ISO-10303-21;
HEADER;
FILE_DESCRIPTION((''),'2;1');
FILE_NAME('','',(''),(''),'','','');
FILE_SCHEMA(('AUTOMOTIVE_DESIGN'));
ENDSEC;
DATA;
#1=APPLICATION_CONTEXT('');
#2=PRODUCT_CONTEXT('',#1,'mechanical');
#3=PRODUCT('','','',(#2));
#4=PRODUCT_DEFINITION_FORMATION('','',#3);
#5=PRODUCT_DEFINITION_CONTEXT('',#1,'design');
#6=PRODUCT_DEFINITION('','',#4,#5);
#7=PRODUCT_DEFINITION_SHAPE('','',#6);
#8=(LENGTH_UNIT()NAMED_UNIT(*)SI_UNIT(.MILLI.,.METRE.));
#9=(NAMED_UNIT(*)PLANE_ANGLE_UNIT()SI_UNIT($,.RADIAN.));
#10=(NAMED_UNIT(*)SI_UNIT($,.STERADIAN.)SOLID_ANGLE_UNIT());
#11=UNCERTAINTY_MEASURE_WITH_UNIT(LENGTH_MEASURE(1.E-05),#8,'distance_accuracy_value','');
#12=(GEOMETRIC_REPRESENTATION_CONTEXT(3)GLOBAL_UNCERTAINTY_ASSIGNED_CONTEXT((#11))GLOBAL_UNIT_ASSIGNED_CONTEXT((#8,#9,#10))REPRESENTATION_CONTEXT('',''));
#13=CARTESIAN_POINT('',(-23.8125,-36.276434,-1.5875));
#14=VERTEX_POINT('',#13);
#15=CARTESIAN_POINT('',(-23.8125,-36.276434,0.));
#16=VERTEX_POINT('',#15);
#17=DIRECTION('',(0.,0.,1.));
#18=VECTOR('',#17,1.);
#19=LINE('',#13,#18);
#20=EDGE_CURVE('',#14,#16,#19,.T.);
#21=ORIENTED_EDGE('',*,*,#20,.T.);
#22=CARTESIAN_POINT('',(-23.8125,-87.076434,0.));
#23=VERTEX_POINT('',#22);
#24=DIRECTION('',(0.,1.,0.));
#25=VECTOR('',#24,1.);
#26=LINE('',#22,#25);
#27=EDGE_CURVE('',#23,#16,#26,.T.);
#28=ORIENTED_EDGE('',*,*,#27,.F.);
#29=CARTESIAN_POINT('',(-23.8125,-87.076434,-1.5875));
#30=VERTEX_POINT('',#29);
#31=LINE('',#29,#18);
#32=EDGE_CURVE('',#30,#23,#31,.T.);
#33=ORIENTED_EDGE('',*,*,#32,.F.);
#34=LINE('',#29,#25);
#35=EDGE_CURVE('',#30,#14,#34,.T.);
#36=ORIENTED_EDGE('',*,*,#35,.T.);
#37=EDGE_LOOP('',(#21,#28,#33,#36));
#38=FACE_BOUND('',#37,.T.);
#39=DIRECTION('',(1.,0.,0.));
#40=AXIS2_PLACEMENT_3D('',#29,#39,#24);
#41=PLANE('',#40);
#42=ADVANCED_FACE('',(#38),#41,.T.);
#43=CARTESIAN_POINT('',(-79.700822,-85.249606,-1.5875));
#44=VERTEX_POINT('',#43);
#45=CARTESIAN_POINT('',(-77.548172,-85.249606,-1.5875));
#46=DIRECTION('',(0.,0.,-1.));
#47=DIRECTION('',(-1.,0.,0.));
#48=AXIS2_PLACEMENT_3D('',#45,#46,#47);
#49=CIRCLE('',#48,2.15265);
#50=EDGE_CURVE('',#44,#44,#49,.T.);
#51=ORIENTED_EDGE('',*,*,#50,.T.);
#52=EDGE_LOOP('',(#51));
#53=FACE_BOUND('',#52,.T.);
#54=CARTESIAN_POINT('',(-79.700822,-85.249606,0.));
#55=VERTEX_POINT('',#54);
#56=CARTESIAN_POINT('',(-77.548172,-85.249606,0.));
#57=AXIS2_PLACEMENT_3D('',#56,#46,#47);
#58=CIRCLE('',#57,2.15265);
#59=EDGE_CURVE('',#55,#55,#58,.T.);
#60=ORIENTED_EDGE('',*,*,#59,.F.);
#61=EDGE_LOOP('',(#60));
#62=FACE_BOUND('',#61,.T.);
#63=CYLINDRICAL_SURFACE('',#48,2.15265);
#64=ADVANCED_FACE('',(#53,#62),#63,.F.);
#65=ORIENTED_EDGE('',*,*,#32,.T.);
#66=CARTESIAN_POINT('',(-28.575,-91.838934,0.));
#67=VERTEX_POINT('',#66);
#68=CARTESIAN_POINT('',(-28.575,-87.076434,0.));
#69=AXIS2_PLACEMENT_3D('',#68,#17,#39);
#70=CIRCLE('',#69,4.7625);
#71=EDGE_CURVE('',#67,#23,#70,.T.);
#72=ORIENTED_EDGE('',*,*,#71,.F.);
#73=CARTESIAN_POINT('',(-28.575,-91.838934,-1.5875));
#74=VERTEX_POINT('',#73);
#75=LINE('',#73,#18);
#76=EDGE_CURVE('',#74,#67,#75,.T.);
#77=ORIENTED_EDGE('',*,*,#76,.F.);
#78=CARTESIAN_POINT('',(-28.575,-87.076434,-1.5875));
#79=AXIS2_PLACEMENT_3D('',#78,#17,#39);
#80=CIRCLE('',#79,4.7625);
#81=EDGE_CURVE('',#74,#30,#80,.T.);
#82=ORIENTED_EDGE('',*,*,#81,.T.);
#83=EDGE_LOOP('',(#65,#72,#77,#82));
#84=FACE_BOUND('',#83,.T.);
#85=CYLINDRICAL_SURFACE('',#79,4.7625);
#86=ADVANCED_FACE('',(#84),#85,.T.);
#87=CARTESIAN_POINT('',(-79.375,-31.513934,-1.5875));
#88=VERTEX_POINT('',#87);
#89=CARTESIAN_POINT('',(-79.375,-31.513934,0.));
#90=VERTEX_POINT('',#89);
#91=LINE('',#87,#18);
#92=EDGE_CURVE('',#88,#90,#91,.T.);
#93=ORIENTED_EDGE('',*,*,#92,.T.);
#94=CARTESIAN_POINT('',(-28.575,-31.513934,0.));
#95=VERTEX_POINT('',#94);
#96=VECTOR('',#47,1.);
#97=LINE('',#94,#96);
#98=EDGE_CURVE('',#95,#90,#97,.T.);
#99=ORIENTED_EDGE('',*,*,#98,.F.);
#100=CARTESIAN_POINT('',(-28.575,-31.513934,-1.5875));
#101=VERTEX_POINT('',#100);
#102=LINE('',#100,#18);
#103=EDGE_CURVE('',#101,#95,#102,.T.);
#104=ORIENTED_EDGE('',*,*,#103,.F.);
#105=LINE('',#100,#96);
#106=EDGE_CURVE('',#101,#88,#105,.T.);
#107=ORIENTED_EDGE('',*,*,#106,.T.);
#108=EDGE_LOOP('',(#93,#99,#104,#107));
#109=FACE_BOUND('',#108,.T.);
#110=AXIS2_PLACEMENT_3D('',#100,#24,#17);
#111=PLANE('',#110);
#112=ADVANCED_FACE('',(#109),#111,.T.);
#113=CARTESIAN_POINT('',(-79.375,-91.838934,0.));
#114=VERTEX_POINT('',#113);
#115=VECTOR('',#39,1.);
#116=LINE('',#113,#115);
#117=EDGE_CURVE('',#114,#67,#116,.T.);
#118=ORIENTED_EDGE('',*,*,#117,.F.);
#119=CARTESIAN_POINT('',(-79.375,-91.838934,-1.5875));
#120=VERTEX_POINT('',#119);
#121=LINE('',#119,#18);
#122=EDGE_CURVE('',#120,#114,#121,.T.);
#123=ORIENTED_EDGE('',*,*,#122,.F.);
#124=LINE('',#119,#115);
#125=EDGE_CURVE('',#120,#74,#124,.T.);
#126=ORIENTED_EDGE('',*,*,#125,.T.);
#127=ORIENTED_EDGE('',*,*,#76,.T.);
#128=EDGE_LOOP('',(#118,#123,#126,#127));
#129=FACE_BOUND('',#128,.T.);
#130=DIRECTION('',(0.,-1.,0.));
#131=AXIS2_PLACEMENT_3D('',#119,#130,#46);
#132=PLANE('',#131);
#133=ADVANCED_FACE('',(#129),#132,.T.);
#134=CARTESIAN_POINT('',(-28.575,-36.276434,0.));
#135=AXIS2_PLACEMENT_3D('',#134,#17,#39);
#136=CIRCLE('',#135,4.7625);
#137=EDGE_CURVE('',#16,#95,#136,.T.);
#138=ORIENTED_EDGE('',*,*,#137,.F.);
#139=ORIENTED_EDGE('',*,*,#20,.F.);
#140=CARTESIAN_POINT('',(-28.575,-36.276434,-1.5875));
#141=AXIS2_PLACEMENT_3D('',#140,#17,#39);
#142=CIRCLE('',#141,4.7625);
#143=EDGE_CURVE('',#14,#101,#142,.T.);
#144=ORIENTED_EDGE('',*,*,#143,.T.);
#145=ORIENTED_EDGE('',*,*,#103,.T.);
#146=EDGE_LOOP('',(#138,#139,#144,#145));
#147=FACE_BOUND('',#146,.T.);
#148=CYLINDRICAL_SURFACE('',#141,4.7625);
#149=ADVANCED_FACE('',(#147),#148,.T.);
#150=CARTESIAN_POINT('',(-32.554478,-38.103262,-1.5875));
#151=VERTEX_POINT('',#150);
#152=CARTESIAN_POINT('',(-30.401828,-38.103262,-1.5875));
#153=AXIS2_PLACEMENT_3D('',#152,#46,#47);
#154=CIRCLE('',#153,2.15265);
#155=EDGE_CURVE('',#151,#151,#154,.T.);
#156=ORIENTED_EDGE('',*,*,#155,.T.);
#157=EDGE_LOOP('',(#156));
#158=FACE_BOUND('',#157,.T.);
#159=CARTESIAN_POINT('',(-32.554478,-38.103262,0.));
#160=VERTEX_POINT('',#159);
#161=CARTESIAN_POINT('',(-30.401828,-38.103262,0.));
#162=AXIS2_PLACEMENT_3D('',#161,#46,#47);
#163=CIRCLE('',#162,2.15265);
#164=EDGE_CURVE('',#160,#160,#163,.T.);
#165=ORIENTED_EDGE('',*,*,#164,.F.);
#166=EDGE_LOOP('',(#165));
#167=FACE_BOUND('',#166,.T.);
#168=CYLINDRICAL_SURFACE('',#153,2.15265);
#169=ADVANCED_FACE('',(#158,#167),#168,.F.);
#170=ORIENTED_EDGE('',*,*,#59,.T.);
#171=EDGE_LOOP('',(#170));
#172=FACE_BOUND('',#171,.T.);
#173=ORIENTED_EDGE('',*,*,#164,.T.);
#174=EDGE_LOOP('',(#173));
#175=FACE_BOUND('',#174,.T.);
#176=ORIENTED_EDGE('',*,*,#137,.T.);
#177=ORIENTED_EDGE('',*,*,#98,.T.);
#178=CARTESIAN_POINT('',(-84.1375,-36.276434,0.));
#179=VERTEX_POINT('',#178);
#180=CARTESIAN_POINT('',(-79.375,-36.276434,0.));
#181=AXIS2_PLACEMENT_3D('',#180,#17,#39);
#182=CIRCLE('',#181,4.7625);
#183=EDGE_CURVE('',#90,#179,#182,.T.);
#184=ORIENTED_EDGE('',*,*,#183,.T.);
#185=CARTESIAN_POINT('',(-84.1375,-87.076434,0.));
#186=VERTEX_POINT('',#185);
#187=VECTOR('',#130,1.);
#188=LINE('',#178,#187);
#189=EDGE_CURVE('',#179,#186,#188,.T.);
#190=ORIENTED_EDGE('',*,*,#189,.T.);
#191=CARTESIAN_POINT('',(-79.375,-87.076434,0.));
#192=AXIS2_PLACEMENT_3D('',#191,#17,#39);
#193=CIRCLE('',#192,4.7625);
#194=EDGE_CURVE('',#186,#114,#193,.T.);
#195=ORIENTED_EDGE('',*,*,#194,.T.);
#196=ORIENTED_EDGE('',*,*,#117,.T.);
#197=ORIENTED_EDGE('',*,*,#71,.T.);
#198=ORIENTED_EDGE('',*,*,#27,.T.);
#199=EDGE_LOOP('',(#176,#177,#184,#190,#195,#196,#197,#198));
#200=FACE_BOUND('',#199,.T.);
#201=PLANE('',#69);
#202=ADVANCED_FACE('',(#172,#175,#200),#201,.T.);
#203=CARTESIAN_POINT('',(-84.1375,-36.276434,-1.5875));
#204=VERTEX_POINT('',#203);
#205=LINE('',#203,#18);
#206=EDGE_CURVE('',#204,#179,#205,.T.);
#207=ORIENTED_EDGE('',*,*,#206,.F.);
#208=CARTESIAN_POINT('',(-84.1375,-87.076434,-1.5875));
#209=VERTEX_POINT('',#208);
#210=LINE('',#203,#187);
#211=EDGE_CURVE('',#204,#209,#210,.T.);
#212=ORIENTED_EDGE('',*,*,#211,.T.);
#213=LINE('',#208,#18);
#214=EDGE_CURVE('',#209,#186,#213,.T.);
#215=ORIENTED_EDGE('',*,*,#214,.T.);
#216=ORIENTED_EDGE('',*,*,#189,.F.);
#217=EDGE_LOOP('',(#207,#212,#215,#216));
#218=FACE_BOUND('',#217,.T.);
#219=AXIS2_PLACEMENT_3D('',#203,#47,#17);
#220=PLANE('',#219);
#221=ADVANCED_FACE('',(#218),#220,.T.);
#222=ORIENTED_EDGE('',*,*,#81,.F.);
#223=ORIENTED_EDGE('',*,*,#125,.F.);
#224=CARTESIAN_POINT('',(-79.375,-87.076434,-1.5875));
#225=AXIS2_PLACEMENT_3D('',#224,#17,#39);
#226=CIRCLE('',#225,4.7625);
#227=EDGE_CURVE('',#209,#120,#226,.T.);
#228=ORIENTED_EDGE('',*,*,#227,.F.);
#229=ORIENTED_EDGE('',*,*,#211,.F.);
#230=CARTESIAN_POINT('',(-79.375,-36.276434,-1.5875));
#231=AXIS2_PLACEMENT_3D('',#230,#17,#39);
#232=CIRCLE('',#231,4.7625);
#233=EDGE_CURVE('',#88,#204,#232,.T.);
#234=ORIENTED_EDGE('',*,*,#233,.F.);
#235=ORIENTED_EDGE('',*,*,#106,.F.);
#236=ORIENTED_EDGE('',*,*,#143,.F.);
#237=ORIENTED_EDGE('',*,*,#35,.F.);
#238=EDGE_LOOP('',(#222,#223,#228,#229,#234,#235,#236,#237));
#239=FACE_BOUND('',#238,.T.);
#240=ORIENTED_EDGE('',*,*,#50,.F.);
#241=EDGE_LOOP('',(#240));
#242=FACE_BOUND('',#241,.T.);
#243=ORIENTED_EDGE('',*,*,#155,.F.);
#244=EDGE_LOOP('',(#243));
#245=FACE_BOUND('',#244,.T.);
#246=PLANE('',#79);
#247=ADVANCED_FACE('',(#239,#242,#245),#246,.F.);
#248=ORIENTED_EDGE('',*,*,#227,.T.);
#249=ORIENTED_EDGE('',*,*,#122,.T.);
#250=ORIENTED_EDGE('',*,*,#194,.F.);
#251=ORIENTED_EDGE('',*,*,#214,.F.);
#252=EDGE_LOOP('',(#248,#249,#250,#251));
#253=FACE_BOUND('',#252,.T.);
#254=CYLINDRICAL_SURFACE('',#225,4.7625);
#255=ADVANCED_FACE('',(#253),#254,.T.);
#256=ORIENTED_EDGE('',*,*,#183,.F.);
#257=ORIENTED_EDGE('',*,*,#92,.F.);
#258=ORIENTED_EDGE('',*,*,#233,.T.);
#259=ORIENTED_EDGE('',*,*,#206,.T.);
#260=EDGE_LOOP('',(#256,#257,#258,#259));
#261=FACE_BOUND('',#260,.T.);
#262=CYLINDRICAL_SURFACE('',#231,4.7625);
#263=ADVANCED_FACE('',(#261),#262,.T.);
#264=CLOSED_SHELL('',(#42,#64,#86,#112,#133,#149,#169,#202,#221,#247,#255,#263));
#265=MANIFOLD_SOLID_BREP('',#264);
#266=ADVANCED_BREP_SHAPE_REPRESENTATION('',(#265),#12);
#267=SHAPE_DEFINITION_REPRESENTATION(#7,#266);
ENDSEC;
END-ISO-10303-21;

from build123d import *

# Parameters (mm, degrees)
BOSS_EXTRUDE1_DEPTH   = 1.5875
F_6_CLEARANCE_HOLE1_D = 4.3053


with BuildPart() as part:
    # Sketch1 → Boss-Extrude1 (new body)
    with BuildSketch(Plane.XY):
        with BuildLine():
            Line((-23.8125, -87.076434182), (-23.8125, -36.276434182))
            ThreePointArc((-23.8125, -36.276434182), (-25.207403955, -32.908838137), (-28.575, -31.513934182))
            Line((-28.575, -31.513934182), (-79.375, -31.513934182))
            ThreePointArc((-79.375, -31.513934182), (-82.742596045, -32.908838137), (-84.1375, -36.276434182))
            Line((-84.1375, -36.276434182), (-84.1375, -87.076434182))
            ThreePointArc((-84.1375, -87.076434182), (-82.742596045, -90.444030228), (-79.375, -91.838934182))
            Line((-79.375, -91.838934182), (-28.575, -91.838934182))
            ThreePointArc((-28.575, -91.838934182), (-25.207403955, -90.444030228), (-23.8125, -87.076434182))
        make_face()
    extrude(amount=-BOSS_EXTRUDE1_DEPTH)

    # #6 Clearance Hole1 (through all)
    with Locations(Plane(origin=(0, 0, -1.5875), x_dir=(-1, 0, 0), z_dir=(0, 0, -1))):
        with Locations((30.401827682, -38.103261864), (77.548172318, -85.2496065)):
            Hole(F_6_CLEARANCE_HOLE1_D / 2)


solid = part.part
